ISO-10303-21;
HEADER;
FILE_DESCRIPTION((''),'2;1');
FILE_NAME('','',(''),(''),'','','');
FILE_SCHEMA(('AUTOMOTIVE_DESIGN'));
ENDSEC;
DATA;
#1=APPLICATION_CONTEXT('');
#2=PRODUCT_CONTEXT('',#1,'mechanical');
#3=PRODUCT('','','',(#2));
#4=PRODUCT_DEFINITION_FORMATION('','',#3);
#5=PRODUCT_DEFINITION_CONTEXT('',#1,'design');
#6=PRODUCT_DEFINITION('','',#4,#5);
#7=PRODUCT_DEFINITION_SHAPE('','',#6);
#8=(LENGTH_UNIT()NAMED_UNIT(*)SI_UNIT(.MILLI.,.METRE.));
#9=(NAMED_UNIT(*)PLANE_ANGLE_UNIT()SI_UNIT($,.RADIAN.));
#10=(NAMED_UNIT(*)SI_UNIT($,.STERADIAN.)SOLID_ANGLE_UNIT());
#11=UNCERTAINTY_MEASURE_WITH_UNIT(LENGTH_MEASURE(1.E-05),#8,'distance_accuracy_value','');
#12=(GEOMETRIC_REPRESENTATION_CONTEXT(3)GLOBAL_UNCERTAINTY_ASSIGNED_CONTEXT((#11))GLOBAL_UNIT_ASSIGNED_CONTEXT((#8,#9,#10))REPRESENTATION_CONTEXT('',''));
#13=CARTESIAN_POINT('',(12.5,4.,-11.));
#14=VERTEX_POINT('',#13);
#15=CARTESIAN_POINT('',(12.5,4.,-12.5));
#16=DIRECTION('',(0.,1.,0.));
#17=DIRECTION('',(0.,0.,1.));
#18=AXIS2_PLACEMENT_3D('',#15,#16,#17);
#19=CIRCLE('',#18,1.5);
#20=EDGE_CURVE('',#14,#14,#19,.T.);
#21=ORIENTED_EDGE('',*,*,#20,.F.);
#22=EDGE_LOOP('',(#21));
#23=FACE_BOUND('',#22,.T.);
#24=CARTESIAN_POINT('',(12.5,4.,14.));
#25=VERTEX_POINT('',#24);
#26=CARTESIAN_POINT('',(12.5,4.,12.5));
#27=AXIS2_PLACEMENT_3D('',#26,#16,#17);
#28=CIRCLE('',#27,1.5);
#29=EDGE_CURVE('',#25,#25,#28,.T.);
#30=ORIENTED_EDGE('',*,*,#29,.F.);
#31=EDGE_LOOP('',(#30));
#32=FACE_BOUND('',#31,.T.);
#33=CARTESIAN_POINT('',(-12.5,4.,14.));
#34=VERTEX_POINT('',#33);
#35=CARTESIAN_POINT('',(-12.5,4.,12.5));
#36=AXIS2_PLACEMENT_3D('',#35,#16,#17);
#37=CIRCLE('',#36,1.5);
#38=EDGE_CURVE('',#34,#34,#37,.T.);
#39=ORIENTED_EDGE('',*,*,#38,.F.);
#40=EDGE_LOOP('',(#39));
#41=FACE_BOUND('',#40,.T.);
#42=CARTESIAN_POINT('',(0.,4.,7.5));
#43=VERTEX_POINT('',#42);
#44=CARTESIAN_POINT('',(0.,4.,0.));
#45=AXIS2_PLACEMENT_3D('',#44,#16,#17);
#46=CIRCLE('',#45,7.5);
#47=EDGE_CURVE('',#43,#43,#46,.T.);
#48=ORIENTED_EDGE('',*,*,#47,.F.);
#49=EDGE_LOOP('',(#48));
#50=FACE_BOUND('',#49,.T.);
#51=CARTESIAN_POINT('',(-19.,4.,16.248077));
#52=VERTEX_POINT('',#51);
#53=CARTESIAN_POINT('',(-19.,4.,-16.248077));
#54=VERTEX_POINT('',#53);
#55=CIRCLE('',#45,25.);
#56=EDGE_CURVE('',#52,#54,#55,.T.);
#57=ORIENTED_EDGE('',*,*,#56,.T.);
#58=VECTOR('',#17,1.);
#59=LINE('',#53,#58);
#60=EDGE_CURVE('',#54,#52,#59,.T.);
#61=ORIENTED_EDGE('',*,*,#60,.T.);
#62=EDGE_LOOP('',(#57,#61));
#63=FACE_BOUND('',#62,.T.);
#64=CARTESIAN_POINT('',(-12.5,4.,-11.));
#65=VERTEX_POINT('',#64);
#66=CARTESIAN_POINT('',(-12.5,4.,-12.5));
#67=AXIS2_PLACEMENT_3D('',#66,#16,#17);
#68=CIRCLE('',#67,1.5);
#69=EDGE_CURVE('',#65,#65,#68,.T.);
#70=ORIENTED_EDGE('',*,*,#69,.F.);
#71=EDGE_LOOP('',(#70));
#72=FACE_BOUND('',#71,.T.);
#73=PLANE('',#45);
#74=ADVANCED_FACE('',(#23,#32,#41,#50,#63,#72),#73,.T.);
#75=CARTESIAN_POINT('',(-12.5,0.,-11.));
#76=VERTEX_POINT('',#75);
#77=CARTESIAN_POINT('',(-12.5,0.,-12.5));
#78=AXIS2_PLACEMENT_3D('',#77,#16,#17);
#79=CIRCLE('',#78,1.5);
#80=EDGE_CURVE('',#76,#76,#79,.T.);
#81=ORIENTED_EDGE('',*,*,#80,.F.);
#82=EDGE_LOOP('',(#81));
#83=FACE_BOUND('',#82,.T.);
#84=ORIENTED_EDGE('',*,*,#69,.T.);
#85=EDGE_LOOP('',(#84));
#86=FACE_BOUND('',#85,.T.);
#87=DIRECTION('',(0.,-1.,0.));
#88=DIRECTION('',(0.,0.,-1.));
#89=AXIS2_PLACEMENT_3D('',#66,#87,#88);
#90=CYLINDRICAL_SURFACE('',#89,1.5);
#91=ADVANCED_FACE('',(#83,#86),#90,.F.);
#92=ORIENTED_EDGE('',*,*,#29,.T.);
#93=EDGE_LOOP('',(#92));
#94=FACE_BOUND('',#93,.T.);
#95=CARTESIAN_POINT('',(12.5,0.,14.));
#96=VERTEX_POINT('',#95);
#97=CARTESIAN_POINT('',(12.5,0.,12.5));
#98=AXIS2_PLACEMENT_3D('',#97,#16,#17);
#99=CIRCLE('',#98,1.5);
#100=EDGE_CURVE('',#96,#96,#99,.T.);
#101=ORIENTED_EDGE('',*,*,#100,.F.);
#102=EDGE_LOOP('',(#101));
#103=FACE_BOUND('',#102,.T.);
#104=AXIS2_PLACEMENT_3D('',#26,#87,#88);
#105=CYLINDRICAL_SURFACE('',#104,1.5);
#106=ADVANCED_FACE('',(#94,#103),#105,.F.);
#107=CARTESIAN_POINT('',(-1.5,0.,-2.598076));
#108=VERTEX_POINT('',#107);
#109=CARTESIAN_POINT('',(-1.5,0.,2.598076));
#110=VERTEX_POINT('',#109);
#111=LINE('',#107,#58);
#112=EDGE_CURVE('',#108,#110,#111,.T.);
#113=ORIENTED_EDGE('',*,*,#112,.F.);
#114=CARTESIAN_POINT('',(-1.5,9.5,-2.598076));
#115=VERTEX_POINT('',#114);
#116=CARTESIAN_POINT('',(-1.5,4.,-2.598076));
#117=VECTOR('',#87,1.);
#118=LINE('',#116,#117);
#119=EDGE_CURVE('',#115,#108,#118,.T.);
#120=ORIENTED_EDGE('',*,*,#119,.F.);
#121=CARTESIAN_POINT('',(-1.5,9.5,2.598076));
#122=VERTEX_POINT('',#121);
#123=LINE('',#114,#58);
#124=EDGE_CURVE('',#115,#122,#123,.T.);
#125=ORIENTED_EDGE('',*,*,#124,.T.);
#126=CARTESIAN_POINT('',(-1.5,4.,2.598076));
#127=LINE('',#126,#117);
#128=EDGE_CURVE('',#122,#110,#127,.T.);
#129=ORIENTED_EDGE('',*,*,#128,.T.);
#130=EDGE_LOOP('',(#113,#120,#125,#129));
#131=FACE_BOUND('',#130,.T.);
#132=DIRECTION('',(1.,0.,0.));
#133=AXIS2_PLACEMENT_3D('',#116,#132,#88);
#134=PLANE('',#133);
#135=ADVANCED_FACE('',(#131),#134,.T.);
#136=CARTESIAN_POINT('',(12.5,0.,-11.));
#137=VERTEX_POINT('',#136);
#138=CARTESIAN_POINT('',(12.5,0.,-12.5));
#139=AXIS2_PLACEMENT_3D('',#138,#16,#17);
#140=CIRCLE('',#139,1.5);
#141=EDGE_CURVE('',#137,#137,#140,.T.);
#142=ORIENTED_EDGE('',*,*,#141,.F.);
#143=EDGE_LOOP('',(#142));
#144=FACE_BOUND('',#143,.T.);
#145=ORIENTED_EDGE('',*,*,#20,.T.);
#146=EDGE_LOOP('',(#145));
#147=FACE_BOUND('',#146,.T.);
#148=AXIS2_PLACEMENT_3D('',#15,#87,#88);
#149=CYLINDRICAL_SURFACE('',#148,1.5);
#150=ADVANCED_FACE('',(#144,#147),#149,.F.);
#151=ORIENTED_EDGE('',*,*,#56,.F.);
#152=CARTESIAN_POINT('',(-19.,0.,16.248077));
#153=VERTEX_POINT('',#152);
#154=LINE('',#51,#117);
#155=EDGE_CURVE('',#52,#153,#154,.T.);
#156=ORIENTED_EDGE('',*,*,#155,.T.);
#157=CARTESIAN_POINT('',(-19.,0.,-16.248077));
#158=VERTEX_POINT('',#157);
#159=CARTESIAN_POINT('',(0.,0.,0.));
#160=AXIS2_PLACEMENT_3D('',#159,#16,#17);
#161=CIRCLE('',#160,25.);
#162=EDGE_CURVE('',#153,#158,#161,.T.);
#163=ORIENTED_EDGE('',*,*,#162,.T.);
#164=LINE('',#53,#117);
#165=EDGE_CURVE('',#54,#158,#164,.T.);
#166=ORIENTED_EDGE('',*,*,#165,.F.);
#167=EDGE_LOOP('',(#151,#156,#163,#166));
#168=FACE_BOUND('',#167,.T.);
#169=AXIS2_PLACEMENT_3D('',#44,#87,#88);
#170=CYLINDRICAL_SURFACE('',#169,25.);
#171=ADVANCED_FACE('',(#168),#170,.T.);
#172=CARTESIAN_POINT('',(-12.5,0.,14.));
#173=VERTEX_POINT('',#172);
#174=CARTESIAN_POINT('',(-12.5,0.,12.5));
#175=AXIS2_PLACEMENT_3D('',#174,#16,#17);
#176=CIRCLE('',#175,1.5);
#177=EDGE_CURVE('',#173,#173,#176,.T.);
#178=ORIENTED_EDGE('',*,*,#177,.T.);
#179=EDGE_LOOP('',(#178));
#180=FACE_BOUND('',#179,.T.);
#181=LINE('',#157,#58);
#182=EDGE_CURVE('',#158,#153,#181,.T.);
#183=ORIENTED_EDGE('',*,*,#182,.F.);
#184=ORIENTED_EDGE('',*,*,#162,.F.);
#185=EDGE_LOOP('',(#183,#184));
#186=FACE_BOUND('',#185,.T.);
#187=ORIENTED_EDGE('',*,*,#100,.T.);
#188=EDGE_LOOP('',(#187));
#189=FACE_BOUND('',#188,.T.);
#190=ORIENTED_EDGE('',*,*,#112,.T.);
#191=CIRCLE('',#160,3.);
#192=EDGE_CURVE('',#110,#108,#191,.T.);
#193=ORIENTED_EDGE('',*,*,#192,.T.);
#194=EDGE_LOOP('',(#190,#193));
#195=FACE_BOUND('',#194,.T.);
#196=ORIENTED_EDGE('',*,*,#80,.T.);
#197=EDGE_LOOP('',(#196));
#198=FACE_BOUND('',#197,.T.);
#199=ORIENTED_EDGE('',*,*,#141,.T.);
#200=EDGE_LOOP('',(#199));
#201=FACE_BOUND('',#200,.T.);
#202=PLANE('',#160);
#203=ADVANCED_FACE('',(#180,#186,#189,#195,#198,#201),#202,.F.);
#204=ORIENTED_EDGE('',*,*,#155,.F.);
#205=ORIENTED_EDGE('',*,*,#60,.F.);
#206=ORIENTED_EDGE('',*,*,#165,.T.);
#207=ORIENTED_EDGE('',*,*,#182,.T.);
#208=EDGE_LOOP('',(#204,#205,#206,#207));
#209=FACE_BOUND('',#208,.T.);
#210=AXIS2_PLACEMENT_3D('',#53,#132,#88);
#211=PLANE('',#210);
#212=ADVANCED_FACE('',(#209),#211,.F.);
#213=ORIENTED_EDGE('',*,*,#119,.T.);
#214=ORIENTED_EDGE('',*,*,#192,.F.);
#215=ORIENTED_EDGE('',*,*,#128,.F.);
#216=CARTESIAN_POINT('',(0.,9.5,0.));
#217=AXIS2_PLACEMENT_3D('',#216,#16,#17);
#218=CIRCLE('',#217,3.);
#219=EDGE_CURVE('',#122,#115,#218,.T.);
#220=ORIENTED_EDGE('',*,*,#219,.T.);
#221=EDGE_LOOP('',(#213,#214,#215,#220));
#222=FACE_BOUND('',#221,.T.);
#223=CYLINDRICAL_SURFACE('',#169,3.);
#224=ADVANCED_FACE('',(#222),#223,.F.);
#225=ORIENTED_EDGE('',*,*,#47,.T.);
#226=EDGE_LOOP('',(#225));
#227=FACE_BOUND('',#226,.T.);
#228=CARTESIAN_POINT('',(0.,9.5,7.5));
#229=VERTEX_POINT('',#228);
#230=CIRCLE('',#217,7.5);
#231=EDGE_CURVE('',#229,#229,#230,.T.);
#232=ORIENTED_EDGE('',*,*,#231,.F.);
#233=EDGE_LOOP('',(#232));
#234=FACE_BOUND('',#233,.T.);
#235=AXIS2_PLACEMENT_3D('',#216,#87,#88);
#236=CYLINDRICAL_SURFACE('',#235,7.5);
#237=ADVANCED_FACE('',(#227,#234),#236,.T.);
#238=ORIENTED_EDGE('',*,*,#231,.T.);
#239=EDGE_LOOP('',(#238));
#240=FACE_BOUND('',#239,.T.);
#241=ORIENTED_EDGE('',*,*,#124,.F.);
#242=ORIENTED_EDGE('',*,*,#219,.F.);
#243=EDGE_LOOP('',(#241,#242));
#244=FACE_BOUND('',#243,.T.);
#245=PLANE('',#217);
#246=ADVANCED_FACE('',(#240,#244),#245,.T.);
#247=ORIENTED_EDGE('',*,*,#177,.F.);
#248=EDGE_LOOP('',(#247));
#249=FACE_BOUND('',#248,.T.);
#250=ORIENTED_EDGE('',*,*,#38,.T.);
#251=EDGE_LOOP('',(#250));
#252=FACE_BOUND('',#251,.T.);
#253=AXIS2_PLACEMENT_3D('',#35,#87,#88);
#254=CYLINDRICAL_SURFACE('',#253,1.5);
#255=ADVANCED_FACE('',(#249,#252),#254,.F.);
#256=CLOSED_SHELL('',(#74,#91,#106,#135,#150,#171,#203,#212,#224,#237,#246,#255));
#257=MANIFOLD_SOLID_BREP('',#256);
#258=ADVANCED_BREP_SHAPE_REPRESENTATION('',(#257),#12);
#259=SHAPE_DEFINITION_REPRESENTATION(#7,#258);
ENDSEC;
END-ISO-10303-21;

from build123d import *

# Parameters (mm, degrees)
SKETCH1_R           = 1.5
BOSS_EXTRUDE1_DEPTH = 4
SKETCH2_R           = 7.5
BOSS_EXTRUDE2_DEPTH = 5.5


with BuildPart() as part:
    # Sketch1 → Boss-Extrude1 (new body)
    with BuildSketch(Plane(origin=(0, 0, 0), x_dir=(1, 0, 0), z_dir=(0, 1, 0))):
        with BuildLine():
            Line((-19, 16.248076809), (-19, -16.248076809))
            ThreePointArc((-19, -16.248076809), (25, 0), (-19, 16.248076809))
        make_face()
        with Locations(Location((12.5, 12.5, 0), (0, 0, 270))):
            Circle(SKETCH1_R, mode=Mode.SUBTRACT)
        with Locations(Location((12.5, -12.5, 0), (0, 0, 270))):
            Circle(SKETCH1_R, mode=Mode.SUBTRACT)
        with Locations(Location((-12.5, -12.5, 0), (0, 0, 270))):
            Circle(SKETCH1_R, mode=Mode.SUBTRACT)
        with Locations(Location((-12.5, 12.5, 0), (0, 0, 270))):
            Circle(SKETCH1_R, mode=Mode.SUBTRACT)
        with BuildLine():
            Line((-1.5, 2.598076211), (-1.5, -2.598076211))
            ThreePointArc((-1.5, -2.598076211), (3, 0), (-1.5, 2.598076211))
        make_face(mode=Mode.SUBTRACT)
    extrude(amount=BOSS_EXTRUDE1_DEPTH)

    # Sketch2 → Boss-Extrude2 (add)
    with BuildSketch(Plane(origin=(0, 4, 0), x_dir=(1, 0, 0), z_dir=(0, 1, 0))):
        with Locations(Location((0, 0, 0), (0, 0, 270))):
            Circle(SKETCH2_R)
        with BuildLine():
            Line((-1.5, 2.598076211), (-1.5, -2.598076211))
            ThreePointArc((-1.5, -2.598076211), (3, 0), (-1.5, 2.598076211))
        make_face(mode=Mode.SUBTRACT)
    extrude(amount=BOSS_EXTRUDE2_DEPTH)


solid = part.part
